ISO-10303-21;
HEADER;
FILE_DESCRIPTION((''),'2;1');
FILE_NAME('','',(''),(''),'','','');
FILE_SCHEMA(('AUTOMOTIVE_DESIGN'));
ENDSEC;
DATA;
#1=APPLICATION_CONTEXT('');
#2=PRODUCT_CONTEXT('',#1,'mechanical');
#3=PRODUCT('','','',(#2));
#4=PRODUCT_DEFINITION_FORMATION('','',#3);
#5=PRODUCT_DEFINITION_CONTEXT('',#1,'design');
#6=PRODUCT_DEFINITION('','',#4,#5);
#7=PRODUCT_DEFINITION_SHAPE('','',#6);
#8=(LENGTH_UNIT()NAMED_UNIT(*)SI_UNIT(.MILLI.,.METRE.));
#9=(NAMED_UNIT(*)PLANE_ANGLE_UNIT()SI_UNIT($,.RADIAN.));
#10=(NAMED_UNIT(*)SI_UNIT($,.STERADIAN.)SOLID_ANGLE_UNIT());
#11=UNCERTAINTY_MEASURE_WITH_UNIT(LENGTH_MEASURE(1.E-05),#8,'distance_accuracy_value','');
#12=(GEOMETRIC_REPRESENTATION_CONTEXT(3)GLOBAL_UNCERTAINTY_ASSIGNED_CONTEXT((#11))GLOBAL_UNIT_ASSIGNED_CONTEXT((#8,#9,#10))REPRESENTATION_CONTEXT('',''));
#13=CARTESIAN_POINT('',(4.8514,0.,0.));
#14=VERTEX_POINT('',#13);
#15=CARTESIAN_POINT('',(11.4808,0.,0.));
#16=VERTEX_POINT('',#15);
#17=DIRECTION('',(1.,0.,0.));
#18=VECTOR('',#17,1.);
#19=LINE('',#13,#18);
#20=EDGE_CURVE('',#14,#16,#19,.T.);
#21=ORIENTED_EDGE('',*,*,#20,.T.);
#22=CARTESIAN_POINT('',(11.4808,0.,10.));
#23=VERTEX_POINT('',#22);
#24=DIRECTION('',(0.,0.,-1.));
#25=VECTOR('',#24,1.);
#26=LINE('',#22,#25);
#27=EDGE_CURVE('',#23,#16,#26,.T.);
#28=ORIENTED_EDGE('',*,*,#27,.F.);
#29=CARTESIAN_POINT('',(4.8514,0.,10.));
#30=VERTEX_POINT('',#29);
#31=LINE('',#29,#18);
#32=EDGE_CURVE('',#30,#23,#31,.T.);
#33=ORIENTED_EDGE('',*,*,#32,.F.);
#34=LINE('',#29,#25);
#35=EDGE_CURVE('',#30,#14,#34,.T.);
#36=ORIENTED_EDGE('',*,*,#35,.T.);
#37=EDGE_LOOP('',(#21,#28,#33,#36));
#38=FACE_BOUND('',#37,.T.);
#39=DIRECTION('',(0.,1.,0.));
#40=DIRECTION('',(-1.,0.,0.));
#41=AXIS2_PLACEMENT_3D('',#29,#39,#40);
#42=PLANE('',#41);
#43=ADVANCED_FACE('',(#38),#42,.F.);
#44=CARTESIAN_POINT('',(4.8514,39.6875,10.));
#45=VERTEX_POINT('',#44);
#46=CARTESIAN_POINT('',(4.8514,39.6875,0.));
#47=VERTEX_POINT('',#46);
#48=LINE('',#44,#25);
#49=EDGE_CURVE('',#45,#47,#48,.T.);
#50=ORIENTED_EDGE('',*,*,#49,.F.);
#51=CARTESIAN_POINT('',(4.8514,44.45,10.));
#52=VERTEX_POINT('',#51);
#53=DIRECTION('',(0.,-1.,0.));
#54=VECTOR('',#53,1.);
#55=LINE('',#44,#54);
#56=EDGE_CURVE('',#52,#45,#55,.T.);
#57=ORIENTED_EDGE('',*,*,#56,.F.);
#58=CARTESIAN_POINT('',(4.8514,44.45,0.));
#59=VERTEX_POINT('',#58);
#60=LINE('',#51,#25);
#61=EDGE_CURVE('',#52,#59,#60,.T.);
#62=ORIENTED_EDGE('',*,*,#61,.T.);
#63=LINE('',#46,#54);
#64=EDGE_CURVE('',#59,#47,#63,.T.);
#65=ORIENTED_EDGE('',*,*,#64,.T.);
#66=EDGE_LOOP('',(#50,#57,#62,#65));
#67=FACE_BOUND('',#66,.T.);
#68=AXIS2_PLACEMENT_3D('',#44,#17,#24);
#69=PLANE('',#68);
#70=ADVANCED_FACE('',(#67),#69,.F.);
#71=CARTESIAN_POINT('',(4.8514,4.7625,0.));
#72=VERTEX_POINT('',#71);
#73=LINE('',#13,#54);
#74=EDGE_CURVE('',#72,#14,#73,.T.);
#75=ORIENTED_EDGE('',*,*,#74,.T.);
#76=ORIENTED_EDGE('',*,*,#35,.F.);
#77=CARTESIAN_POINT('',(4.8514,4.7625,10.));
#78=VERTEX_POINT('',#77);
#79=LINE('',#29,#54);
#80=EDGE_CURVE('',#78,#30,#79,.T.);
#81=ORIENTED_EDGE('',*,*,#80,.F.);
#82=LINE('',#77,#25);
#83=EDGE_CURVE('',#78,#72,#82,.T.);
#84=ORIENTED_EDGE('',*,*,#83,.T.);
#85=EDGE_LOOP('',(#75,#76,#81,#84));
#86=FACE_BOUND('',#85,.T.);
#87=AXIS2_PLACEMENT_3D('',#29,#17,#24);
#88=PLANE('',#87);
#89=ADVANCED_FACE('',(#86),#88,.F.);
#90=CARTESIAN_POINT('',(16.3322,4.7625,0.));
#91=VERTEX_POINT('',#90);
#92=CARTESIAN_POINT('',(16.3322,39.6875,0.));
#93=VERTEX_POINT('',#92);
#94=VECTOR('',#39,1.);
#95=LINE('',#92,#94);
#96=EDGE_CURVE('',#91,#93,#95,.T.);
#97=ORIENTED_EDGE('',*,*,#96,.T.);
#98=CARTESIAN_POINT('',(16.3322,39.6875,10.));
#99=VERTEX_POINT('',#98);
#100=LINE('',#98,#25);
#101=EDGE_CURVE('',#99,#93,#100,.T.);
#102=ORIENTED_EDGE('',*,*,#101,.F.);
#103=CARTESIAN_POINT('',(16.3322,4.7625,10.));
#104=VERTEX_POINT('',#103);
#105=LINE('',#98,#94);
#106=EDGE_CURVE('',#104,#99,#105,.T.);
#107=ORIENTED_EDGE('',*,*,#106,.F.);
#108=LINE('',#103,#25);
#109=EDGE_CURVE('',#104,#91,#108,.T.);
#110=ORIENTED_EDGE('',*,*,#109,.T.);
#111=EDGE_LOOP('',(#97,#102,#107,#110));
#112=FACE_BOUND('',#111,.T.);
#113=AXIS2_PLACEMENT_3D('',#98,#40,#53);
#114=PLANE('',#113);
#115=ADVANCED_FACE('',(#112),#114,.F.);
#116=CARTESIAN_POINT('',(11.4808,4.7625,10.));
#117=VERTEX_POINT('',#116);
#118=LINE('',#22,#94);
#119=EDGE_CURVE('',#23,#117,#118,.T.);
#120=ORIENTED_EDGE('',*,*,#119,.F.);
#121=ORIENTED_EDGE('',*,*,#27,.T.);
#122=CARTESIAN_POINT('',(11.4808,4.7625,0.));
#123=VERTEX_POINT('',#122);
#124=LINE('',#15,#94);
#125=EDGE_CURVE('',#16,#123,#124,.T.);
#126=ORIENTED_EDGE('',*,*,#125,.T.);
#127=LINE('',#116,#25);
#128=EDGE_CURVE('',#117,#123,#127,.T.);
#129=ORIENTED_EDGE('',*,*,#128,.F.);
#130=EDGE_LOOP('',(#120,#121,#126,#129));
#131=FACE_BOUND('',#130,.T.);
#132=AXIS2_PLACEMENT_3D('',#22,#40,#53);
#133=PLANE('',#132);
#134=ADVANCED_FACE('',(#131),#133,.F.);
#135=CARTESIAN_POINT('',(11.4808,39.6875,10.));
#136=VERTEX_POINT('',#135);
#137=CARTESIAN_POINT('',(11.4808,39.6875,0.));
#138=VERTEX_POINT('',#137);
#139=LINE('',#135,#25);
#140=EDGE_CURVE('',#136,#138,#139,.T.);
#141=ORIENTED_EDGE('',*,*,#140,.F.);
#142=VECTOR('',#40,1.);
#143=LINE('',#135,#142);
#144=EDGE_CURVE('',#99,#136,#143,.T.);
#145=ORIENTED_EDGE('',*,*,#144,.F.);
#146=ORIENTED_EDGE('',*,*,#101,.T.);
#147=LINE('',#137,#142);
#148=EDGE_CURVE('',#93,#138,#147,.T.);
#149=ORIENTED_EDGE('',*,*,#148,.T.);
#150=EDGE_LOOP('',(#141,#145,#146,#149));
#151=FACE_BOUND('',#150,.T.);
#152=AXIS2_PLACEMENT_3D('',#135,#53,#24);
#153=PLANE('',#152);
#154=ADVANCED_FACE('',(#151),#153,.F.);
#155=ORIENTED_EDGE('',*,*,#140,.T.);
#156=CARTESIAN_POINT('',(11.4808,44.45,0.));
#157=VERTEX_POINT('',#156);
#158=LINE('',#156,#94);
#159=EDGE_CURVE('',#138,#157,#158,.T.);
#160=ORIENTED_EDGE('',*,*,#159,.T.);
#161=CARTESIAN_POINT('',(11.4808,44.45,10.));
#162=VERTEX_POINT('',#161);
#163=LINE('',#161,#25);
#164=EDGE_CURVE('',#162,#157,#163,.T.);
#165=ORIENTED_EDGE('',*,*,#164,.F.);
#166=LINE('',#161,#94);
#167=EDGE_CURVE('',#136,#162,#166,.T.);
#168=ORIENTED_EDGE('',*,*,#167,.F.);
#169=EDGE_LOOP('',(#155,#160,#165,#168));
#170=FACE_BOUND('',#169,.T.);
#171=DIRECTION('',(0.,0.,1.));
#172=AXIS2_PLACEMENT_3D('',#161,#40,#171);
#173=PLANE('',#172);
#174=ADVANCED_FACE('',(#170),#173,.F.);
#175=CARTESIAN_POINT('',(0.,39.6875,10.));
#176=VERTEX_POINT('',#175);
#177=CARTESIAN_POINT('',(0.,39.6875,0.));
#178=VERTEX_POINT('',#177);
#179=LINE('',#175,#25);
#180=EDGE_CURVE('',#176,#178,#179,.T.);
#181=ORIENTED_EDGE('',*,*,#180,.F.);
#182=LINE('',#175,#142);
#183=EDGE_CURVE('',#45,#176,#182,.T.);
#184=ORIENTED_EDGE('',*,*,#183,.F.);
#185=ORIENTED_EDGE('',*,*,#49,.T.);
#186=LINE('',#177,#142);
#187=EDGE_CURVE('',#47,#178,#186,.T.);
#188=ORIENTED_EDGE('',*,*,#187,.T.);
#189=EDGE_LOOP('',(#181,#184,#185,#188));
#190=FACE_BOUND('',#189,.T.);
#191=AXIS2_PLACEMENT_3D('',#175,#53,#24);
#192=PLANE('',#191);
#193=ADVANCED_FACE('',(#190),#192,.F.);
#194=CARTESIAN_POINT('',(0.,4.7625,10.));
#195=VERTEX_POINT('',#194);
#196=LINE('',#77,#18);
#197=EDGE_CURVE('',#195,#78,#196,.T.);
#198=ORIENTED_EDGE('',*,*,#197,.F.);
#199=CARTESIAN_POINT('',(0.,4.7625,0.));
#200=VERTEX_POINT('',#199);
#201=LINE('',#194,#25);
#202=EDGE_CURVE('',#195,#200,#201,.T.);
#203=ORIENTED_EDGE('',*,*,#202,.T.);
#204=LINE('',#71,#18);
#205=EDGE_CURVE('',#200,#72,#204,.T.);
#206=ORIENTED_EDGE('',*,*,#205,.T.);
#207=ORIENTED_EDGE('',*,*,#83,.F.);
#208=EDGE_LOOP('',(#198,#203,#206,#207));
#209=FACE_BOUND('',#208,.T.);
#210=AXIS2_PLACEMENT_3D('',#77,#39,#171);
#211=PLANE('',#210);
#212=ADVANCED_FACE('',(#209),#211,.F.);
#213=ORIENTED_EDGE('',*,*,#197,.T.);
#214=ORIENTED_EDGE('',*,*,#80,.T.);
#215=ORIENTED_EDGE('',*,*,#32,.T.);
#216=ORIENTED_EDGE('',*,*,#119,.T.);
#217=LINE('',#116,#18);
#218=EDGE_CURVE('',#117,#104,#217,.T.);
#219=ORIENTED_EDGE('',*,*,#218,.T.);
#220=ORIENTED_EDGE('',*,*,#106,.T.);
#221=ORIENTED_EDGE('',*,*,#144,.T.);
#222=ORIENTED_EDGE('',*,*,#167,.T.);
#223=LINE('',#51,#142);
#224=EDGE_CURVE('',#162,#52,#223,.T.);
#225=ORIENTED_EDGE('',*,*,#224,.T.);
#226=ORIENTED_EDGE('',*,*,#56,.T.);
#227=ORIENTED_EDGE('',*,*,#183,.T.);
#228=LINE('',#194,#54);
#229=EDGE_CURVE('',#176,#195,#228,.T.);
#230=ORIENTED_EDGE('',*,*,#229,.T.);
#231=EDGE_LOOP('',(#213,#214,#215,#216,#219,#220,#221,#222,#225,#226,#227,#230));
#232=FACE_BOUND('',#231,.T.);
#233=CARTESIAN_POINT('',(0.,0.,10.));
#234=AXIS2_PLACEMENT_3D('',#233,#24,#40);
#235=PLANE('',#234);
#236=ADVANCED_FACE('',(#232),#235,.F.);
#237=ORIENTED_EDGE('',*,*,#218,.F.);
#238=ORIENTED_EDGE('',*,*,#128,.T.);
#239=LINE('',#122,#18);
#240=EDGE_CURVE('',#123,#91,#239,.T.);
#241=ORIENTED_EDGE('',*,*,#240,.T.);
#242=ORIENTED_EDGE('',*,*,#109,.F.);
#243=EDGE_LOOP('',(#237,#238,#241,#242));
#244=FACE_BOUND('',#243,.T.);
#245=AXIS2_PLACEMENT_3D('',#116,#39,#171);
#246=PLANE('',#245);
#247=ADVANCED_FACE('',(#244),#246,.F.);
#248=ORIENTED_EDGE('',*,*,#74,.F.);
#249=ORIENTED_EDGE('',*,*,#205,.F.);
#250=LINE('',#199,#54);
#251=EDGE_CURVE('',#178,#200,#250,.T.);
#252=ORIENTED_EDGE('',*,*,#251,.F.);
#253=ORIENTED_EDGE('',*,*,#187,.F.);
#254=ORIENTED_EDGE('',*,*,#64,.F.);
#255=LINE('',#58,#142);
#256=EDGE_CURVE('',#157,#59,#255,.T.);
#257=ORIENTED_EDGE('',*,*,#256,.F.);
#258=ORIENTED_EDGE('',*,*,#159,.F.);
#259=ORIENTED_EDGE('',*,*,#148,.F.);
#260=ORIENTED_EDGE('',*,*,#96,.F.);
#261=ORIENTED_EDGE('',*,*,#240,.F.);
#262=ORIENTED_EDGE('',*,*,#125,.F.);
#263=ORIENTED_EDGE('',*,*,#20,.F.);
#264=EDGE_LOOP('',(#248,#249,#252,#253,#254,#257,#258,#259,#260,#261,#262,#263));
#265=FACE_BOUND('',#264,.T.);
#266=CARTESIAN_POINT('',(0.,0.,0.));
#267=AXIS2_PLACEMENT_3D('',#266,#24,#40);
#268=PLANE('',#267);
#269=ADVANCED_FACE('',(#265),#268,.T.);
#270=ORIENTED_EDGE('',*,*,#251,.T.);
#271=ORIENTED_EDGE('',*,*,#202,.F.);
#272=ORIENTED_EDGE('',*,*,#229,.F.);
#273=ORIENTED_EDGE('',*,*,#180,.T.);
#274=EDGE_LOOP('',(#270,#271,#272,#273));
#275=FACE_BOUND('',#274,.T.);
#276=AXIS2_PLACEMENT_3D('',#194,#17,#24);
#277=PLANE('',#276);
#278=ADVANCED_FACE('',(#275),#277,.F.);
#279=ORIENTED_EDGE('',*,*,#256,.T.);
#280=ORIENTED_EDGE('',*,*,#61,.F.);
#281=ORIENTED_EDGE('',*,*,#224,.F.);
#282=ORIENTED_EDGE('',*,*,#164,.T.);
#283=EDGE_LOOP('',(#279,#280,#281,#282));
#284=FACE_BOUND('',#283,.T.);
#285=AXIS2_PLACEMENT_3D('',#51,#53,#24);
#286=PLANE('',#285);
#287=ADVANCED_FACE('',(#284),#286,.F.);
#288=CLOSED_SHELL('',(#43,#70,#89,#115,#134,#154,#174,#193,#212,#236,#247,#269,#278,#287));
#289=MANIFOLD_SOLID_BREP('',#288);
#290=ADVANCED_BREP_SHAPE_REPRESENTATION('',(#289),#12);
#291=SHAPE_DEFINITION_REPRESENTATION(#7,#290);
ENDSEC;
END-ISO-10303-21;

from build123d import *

# Parameters (mm, degrees)
BOSS_EXTRUDE1_DEPTH = 10


with BuildPart() as part:
    # Sketch1 → Boss-Extrude1 (new body)
    with BuildSketch(Plane.XY):
        Polygon((4.8514, 0), (11.4808, 0), (11.4808, 4.7625), (16.3322, 4.7625), (16.3322, 39.6875), (11.4808, 39.6875), (11.4808, 44.45), (4.8514, 44.45), (4.8514, 39.6875), (0, 39.6875), (0, 4.7625), (4.8514, 4.7625), align=None)
    extrude(amount=BOSS_EXTRUDE1_DEPTH)


solid = part.part
